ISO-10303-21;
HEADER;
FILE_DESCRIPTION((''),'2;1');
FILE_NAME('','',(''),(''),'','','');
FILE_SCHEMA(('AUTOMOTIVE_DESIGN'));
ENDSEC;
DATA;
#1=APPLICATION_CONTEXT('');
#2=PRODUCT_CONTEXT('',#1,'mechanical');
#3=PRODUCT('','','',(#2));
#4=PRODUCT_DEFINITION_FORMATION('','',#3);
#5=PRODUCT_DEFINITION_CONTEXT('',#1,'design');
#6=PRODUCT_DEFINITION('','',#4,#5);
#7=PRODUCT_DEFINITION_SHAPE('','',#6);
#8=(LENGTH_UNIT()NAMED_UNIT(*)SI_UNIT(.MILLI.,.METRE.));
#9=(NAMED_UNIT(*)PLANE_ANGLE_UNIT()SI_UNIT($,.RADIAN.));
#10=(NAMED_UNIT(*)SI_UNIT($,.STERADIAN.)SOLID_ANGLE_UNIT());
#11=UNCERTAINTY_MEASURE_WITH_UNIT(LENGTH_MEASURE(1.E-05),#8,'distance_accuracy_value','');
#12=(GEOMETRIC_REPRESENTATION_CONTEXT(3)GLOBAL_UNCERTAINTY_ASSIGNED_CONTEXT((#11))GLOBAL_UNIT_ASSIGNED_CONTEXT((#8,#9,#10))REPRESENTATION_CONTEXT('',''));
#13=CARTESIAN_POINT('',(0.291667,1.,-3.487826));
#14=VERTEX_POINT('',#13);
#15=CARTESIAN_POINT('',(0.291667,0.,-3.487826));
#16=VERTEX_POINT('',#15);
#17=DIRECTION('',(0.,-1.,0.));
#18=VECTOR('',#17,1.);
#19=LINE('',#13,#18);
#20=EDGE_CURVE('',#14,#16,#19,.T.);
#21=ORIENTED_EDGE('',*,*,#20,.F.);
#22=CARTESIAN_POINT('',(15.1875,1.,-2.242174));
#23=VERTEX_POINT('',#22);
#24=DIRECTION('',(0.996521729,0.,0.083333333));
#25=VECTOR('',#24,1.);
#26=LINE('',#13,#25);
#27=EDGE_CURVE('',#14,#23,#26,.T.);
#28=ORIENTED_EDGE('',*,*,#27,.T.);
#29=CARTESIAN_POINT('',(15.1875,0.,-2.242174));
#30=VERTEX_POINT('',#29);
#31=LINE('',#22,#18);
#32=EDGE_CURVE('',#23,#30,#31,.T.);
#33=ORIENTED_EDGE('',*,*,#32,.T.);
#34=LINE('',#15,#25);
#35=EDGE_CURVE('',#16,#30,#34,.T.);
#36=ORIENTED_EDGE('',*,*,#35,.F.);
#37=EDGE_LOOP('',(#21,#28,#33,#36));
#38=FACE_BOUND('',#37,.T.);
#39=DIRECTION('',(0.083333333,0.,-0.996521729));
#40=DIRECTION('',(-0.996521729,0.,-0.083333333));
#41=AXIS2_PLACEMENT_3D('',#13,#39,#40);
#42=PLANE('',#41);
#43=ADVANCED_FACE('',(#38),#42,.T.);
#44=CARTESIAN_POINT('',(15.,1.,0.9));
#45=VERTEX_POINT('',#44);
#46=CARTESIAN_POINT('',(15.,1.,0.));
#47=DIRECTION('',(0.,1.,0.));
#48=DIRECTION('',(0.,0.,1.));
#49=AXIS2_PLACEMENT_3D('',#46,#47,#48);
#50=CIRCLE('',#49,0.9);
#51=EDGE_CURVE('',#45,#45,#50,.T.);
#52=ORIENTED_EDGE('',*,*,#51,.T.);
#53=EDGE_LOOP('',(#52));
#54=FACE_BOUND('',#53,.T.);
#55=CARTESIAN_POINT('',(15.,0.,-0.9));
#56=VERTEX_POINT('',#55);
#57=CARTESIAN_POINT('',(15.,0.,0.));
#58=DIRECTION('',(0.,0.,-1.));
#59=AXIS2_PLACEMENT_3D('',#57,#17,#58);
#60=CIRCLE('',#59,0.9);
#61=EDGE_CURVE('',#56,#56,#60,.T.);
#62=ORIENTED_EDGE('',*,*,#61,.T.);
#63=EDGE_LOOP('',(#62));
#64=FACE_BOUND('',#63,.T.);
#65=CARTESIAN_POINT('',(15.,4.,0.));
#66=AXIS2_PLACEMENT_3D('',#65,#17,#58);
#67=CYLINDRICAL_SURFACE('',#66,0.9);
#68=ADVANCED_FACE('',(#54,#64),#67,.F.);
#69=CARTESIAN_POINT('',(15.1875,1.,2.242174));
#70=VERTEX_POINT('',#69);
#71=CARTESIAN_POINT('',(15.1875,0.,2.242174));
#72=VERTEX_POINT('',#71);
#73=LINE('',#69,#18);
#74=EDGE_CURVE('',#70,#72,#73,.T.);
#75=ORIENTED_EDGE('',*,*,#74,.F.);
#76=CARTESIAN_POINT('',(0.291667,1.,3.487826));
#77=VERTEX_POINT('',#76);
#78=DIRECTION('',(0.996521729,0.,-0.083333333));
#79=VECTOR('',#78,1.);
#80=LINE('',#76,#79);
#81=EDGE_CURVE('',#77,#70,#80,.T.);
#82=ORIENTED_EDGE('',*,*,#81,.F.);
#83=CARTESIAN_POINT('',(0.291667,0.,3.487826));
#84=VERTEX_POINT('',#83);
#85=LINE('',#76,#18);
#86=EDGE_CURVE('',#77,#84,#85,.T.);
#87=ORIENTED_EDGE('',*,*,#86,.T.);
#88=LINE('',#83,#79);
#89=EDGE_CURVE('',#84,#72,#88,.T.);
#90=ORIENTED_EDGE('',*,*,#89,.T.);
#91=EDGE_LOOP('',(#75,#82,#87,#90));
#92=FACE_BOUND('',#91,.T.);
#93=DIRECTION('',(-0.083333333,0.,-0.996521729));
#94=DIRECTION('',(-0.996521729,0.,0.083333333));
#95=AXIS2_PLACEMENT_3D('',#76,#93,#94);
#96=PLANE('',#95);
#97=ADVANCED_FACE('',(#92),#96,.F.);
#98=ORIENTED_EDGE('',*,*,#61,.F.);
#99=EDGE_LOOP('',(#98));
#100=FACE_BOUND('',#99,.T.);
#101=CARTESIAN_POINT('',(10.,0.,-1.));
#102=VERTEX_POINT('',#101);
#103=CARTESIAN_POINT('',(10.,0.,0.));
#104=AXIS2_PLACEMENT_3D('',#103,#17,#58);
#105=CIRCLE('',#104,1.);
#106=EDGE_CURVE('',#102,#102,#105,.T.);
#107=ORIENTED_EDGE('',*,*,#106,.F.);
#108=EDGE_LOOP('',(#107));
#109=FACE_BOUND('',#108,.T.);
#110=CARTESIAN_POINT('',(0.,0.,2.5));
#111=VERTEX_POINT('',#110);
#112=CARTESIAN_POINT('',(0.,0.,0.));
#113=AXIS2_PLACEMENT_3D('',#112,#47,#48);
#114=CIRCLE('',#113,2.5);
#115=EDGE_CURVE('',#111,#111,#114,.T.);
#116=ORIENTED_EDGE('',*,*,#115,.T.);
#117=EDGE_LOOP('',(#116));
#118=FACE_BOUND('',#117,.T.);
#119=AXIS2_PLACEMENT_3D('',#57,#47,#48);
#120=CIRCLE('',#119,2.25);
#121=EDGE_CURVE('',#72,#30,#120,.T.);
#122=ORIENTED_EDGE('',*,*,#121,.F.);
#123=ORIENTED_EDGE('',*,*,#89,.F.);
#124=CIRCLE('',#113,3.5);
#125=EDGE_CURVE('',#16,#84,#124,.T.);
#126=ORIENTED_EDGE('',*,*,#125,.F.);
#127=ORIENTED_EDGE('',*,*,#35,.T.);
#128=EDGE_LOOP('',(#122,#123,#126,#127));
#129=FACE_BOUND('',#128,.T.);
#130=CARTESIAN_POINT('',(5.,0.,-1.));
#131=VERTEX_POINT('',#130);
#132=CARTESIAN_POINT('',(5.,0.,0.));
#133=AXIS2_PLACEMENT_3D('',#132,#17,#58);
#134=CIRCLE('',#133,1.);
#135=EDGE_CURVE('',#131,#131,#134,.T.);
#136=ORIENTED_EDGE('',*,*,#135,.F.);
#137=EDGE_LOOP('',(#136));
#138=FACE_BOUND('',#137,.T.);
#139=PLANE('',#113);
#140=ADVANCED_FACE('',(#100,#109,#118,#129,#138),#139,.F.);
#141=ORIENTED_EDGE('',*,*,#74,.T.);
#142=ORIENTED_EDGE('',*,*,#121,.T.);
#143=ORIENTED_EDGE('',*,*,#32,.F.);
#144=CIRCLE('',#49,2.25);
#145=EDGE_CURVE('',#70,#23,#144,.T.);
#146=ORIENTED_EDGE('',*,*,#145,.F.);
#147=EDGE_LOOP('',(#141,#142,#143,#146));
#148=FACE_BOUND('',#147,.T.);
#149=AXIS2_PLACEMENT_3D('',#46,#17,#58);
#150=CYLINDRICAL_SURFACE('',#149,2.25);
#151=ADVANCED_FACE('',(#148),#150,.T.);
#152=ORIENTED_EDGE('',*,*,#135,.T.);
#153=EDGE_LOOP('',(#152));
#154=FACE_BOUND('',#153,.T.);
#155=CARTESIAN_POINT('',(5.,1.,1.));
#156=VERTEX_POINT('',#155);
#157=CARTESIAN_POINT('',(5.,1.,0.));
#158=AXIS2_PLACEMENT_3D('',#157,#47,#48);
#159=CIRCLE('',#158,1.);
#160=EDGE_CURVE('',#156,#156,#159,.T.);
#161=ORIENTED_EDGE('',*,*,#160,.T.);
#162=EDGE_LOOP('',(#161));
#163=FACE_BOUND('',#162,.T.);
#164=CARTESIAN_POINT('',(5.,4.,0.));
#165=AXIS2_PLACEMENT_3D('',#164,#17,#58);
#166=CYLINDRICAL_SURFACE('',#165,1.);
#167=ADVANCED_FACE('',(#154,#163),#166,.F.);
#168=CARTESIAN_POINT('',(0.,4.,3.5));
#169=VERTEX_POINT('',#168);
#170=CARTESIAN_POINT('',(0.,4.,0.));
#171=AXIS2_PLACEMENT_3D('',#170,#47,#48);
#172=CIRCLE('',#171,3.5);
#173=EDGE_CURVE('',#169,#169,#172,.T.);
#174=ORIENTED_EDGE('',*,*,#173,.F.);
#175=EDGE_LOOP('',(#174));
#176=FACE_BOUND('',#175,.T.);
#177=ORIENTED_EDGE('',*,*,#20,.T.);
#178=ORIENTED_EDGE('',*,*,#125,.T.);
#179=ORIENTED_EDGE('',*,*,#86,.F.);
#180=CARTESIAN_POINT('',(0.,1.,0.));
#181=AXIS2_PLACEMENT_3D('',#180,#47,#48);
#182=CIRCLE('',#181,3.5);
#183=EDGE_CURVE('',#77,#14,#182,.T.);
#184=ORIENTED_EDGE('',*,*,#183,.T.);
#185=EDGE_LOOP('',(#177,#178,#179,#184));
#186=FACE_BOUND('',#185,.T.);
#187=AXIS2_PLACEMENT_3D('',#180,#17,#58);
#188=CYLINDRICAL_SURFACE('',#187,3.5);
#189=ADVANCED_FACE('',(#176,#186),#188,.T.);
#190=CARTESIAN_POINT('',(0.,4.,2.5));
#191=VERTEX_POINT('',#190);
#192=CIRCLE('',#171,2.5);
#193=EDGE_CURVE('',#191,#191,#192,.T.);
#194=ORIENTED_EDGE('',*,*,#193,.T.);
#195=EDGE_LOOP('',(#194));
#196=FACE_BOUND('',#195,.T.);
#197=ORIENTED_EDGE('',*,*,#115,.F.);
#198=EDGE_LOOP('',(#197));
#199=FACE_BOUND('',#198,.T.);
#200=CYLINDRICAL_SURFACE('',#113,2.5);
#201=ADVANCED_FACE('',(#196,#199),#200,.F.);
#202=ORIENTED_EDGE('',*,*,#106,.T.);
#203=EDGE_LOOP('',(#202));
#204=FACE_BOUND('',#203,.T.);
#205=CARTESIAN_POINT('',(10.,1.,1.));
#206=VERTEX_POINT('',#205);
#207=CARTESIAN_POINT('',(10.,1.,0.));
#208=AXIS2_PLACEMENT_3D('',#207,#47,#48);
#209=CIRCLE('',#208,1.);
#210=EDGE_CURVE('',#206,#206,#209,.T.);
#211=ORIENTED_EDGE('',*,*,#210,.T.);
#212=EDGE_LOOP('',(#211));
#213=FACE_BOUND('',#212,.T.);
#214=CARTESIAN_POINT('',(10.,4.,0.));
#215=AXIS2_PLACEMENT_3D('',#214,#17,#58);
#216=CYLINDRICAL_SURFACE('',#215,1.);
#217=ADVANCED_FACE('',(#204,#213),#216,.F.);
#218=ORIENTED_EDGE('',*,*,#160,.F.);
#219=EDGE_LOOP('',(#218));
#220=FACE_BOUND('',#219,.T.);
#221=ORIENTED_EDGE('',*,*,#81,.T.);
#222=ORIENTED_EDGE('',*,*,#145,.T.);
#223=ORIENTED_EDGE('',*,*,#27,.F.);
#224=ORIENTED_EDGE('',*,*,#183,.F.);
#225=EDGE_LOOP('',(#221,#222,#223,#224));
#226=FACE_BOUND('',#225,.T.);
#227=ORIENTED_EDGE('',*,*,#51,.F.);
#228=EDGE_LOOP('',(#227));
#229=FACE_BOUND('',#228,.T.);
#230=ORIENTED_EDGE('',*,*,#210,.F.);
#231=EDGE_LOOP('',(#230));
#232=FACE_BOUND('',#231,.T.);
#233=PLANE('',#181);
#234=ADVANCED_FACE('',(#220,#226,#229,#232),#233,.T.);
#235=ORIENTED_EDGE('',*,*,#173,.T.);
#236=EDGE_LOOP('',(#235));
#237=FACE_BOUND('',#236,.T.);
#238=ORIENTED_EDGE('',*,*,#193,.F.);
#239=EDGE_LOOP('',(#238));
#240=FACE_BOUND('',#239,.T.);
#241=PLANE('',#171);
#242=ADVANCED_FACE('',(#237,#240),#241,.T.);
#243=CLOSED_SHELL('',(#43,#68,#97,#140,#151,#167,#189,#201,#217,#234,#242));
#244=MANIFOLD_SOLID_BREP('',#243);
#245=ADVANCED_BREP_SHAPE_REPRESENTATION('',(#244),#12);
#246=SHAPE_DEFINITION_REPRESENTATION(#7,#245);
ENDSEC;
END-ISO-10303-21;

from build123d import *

# Parameters (mm, degrees)
BOSS_EXTRUDE1_DEPTH = 1
SKETCH2_R           = 3.5
BOSS_EXTRUDE2_DEPTH = 3
SKETCH3_R           = 2.5
CUT_EXTRUDE1_DEPTH  = 19.050277006
SKETCH4_R           = 0.9
CUT_EXTRUDE2_DEPTH  = 19.050277006
CUT_EXTRUDE3_DEPTH  = 19.050277006


with BuildPart() as part:
    # Sketch1 → Boss-Extrude1 (new body)
    with BuildSketch(Plane(origin=(0, 0, 0), x_dir=(1, 0, 0), z_dir=(0, 1, 0))):
        with BuildLine():
            Line((15.1875, 2.242173889), (0.291666667, 3.48782605))
            ThreePointArc((0.291666667, 3.48782605), (-3.5, 0), (0.291666667, -3.48782605))
            Line((0.291666667, -3.48782605), (15.1875, -2.242173889))
            ThreePointArc((15.1875, -2.242173889), (17.25, 0), (15.1875, 2.242173889))
        make_face()
    extrude(amount=BOSS_EXTRUDE1_DEPTH)

    # Sketch2 → Boss-Extrude2 (add)
    with BuildSketch(Plane(origin=(0, 1, 0), x_dir=(1, 0, 0), z_dir=(0, 1, 0))):
        with Locations(Location((0, 0, 0), (0, 0, 85.219808153))):
            Circle(SKETCH2_R)
    extrude(amount=BOSS_EXTRUDE2_DEPTH)

    # Sketch3 → Cut-Extrude1 (cut, through all)
    with BuildSketch(Plane(origin=(0, 4, 0), x_dir=(1, 0, 0), z_dir=(0, 1, 0))):
        with Locations(Location((0, 0, 0), (0, 0, 270))):
            Circle(SKETCH3_R)
    extrude(amount=-CUT_EXTRUDE1_DEPTH, mode=Mode.SUBTRACT)

    # Sketch4 → Cut-Extrude2 (cut, through all)
    with BuildSketch(Plane.XZ):
        with Locations(Location((15, 0, 0), (0, 0, 270))):
            Circle(SKETCH4_R)
    extrude(amount=-CUT_EXTRUDE2_DEPTH, mode=Mode.SUBTRACT)

    # Sketch5 → Cut-Extrude3 (cut, through all)
    with BuildSketch(Plane.XZ):
        with BuildLine():
            ThreePointArc((6, 0), (5, 1), (4, 0))
            Line((4, 0), (6, 0))
        make_face()
        with BuildLine():
            Line((6, 0), (4, 0))
            ThreePointArc((4, 0), (5, -1), (6, 0))
        make_face()
        with BuildLine():
            ThreePointArc((11, 0), (10, 1), (9, 0))
            Line((9, 0), (11, 0))
        make_face()
        with BuildLine():
            Line((11, 0), (9, 0))
            ThreePointArc((9, 0), (10, -1), (11, 0))
        make_face()
    extrude(amount=-CUT_EXTRUDE3_DEPTH, mode=Mode.SUBTRACT)


solid = part.part
